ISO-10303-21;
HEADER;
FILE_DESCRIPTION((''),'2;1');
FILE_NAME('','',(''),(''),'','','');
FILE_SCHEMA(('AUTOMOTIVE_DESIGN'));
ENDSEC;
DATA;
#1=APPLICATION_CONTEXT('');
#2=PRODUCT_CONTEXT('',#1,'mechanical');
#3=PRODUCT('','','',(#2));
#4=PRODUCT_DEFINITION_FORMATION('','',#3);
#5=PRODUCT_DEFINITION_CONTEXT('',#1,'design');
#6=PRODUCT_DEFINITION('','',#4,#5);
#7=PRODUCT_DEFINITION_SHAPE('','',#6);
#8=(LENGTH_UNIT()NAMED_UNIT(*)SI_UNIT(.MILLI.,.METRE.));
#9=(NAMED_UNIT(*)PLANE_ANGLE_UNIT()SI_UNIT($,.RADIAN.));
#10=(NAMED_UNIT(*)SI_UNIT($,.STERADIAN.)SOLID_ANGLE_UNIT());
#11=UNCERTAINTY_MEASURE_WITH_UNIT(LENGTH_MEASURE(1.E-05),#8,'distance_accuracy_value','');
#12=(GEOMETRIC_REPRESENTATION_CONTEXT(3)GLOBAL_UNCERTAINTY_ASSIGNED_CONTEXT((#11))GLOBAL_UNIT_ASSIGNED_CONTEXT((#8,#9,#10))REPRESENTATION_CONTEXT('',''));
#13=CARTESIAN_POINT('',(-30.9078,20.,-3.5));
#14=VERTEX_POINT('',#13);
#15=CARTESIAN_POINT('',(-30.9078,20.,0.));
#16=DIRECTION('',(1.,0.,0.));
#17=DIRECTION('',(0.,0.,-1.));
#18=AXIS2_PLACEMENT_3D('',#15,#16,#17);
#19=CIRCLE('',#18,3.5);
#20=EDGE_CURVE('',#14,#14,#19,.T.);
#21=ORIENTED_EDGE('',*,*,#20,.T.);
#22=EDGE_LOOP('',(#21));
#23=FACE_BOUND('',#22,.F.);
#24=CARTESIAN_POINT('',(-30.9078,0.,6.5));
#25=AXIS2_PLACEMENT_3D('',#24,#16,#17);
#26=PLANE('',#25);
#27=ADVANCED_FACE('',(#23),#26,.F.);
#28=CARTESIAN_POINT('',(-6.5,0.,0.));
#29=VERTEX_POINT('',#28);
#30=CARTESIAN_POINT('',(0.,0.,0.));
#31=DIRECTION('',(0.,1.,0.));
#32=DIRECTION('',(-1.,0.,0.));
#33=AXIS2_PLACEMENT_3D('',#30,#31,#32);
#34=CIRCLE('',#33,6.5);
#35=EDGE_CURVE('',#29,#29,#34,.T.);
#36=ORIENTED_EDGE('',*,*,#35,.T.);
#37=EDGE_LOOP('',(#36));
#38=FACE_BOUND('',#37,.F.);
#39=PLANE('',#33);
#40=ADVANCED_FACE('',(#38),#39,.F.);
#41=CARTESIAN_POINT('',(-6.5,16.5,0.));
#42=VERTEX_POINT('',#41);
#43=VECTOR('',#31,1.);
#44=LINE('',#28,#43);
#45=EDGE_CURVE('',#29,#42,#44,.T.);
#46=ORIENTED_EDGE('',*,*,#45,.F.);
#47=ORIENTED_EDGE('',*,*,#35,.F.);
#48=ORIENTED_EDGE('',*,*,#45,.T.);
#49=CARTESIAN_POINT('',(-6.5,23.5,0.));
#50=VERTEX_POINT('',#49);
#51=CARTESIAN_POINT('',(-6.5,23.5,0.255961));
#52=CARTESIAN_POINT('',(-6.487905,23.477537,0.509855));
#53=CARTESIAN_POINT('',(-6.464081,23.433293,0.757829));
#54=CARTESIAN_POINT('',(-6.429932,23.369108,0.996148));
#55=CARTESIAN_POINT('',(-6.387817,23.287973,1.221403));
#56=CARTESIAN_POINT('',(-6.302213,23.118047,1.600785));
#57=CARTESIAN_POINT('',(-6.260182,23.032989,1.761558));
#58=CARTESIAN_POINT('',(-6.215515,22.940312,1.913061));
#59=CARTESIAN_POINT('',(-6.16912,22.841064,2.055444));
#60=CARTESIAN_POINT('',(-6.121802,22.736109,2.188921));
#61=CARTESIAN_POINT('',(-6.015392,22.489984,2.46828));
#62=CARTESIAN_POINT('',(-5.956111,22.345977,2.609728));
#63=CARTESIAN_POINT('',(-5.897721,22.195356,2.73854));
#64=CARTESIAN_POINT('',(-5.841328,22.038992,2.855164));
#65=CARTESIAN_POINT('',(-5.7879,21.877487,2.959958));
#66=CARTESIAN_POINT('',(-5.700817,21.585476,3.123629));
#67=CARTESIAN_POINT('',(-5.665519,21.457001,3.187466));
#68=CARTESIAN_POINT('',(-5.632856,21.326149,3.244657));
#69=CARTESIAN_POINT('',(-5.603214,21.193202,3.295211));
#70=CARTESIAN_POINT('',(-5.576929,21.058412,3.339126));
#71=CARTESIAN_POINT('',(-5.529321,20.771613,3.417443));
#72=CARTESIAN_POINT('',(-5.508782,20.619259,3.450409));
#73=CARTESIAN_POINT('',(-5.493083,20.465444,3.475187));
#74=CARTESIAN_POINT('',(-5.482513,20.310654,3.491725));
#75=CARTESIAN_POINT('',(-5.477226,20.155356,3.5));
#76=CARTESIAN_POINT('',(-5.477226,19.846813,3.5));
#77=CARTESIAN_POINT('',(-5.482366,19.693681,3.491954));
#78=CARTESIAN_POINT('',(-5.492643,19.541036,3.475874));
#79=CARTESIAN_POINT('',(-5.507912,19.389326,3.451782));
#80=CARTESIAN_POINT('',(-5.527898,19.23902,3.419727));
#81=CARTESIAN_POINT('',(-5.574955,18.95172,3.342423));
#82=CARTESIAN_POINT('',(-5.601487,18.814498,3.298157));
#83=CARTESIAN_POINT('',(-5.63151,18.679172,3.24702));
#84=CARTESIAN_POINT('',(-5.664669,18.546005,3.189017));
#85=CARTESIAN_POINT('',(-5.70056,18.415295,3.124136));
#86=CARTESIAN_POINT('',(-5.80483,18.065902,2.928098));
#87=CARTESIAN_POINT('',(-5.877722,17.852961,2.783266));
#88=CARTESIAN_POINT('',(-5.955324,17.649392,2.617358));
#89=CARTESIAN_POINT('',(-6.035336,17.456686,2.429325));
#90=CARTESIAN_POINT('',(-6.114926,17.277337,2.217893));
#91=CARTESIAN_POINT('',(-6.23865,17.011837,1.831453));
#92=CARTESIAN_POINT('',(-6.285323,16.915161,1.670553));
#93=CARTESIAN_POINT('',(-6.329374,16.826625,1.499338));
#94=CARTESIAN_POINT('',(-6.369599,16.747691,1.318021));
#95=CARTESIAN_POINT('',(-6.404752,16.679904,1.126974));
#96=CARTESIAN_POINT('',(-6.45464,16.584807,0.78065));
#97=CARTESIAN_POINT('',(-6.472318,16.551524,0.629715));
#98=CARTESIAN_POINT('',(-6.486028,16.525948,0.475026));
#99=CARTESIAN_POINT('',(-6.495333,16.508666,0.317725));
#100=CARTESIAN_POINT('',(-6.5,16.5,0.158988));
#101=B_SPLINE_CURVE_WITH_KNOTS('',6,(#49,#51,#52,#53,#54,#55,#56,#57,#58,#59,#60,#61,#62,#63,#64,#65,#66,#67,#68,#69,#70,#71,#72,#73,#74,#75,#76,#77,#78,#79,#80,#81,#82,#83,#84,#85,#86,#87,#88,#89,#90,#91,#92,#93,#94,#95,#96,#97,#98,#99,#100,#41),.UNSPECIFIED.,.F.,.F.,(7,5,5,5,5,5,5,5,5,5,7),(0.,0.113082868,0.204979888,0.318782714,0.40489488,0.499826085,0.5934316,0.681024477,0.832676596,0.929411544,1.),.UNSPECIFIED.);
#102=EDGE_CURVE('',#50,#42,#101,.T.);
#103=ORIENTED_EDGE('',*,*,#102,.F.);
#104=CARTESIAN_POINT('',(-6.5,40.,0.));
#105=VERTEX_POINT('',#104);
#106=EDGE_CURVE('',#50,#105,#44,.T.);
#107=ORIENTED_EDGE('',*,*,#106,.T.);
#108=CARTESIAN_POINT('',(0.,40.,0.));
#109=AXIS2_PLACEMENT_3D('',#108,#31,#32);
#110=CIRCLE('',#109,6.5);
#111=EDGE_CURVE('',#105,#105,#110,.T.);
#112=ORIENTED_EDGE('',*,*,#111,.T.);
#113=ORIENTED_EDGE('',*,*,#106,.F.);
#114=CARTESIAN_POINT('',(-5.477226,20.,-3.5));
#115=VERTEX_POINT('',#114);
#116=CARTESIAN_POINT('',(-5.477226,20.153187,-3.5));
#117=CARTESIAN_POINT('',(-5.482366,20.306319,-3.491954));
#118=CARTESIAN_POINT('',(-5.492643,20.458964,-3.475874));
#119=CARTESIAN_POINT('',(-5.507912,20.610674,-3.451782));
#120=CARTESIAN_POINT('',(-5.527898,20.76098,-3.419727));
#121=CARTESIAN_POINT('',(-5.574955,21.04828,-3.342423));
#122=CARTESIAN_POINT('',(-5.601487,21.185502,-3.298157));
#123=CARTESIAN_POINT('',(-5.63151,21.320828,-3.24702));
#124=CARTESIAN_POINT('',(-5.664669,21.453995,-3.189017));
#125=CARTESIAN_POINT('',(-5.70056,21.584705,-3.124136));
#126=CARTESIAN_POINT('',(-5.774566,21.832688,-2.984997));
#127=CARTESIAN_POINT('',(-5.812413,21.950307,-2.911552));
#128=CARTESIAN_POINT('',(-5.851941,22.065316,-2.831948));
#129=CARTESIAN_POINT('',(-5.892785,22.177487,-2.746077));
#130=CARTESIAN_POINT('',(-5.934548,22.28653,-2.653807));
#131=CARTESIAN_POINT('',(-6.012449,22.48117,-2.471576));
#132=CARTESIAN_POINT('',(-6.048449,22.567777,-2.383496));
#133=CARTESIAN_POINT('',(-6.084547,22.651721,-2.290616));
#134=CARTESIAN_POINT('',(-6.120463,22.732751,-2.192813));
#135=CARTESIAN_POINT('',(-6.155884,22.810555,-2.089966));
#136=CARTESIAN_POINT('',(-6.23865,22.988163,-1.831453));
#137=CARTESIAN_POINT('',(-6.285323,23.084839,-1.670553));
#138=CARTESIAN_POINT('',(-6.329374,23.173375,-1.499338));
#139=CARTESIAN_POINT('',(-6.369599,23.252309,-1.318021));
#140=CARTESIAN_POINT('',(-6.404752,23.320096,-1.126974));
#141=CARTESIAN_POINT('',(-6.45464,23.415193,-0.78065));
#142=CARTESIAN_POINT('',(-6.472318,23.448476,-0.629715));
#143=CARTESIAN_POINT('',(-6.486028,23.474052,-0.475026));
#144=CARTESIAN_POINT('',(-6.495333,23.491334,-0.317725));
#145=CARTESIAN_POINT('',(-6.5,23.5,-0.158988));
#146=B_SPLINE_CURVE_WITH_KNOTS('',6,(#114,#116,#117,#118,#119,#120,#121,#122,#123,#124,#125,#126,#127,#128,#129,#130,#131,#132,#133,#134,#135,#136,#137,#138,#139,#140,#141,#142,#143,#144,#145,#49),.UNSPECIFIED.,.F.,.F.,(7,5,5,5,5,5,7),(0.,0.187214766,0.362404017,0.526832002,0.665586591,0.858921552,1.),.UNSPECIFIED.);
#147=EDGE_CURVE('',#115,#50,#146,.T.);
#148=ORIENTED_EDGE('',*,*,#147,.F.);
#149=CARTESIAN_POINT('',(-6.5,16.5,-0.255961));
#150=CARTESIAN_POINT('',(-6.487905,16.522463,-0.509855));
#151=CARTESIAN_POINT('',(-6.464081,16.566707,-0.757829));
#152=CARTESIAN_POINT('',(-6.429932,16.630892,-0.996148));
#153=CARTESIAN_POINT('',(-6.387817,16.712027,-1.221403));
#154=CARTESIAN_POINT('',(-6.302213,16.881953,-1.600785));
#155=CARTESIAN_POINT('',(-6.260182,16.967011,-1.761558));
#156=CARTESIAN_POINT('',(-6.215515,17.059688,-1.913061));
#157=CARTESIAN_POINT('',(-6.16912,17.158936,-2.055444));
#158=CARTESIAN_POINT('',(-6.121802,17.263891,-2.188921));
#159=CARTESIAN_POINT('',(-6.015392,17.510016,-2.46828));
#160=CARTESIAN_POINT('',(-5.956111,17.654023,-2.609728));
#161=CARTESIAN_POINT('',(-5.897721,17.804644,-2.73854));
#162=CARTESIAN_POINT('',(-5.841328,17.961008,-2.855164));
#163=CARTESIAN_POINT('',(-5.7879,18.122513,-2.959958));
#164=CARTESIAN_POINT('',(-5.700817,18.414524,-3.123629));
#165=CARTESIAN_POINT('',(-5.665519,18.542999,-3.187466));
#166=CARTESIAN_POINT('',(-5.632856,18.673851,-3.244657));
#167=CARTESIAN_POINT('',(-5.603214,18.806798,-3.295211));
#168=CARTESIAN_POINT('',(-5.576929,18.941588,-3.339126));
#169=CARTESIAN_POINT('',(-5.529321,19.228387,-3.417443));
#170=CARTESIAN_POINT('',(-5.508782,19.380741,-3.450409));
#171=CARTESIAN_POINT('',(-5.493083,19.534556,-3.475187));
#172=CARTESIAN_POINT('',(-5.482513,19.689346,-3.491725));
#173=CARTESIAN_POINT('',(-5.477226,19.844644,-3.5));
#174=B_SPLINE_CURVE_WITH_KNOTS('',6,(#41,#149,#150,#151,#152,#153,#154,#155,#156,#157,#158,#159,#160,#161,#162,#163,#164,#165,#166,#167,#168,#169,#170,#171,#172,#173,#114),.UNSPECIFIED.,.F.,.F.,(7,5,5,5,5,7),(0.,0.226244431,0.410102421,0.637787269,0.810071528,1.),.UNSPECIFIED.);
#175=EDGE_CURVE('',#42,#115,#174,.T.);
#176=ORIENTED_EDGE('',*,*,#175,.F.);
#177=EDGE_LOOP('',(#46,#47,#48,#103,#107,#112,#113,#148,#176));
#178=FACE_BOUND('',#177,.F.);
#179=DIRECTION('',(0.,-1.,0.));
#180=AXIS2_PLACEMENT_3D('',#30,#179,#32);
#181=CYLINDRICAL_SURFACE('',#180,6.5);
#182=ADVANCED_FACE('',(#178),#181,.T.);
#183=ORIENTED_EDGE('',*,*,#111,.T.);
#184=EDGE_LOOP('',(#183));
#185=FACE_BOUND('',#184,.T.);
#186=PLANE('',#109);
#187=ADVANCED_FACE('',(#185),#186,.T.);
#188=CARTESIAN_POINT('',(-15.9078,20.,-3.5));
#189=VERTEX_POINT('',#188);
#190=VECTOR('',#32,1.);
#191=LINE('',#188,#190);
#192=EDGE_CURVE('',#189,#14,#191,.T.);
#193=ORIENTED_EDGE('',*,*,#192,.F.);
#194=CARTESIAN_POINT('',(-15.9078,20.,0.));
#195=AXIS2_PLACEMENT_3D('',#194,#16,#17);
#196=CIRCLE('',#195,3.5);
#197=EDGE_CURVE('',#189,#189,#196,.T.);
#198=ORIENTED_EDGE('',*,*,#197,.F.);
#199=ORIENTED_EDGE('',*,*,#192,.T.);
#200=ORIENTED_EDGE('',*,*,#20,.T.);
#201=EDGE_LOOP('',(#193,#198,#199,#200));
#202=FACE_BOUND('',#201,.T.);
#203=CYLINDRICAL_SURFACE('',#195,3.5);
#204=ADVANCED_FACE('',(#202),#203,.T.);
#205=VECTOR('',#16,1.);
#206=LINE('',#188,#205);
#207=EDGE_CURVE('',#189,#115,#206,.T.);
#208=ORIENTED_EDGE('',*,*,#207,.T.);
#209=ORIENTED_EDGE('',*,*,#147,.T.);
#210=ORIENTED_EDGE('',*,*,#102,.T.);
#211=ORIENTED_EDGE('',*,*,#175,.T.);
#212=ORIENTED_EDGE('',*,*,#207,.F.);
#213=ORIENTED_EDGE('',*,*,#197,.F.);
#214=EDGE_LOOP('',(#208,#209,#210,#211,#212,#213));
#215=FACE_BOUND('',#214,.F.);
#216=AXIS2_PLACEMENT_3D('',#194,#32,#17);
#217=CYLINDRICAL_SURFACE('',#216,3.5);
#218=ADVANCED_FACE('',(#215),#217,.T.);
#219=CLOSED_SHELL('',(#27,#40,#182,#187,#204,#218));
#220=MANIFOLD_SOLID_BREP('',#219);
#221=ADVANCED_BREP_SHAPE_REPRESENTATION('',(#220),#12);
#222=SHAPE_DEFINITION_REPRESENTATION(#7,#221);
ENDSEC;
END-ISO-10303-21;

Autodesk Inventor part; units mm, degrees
ref_plane "YZ Plane" through (0, 0, 0) normal (1, 0, 0) x (0, 1, 0)
ref_plane "XZ Plane" through (0, 0, 0) normal (0, 1, 0) x (-1, 0, 0)
sketch "Sketch1" plane through (0, 0, 0) normal (0, 1, 0) x (-1, 0, 0)
  circle A0 centre (0, 0) radius 6.5
  dimension "d0" = 13
extrude "Extrusion1" add sketch "Sketch1" along normal blind 40
ref_plane "Work Plane1" through (-15.9078, 0, 6.5) normal (1, 0, 0) x (0, 0, -1)
sketch "Sketch4" plane through (-15.9078, 0, 6.5) normal (1, 0, 0) x (0, 0, -1)
  line L0 (6.5, 0) -> (6.5, 40) construction
  line L1 (13, 40) -> (0, 40) construction
  circle A0 centre (6.5, 20) radius 3.5
  dimension "d9" = 7
extrude "Extrusion3" add sketch "Sketch4" along normal mid plane 30
properties part number "movil_llanta"
